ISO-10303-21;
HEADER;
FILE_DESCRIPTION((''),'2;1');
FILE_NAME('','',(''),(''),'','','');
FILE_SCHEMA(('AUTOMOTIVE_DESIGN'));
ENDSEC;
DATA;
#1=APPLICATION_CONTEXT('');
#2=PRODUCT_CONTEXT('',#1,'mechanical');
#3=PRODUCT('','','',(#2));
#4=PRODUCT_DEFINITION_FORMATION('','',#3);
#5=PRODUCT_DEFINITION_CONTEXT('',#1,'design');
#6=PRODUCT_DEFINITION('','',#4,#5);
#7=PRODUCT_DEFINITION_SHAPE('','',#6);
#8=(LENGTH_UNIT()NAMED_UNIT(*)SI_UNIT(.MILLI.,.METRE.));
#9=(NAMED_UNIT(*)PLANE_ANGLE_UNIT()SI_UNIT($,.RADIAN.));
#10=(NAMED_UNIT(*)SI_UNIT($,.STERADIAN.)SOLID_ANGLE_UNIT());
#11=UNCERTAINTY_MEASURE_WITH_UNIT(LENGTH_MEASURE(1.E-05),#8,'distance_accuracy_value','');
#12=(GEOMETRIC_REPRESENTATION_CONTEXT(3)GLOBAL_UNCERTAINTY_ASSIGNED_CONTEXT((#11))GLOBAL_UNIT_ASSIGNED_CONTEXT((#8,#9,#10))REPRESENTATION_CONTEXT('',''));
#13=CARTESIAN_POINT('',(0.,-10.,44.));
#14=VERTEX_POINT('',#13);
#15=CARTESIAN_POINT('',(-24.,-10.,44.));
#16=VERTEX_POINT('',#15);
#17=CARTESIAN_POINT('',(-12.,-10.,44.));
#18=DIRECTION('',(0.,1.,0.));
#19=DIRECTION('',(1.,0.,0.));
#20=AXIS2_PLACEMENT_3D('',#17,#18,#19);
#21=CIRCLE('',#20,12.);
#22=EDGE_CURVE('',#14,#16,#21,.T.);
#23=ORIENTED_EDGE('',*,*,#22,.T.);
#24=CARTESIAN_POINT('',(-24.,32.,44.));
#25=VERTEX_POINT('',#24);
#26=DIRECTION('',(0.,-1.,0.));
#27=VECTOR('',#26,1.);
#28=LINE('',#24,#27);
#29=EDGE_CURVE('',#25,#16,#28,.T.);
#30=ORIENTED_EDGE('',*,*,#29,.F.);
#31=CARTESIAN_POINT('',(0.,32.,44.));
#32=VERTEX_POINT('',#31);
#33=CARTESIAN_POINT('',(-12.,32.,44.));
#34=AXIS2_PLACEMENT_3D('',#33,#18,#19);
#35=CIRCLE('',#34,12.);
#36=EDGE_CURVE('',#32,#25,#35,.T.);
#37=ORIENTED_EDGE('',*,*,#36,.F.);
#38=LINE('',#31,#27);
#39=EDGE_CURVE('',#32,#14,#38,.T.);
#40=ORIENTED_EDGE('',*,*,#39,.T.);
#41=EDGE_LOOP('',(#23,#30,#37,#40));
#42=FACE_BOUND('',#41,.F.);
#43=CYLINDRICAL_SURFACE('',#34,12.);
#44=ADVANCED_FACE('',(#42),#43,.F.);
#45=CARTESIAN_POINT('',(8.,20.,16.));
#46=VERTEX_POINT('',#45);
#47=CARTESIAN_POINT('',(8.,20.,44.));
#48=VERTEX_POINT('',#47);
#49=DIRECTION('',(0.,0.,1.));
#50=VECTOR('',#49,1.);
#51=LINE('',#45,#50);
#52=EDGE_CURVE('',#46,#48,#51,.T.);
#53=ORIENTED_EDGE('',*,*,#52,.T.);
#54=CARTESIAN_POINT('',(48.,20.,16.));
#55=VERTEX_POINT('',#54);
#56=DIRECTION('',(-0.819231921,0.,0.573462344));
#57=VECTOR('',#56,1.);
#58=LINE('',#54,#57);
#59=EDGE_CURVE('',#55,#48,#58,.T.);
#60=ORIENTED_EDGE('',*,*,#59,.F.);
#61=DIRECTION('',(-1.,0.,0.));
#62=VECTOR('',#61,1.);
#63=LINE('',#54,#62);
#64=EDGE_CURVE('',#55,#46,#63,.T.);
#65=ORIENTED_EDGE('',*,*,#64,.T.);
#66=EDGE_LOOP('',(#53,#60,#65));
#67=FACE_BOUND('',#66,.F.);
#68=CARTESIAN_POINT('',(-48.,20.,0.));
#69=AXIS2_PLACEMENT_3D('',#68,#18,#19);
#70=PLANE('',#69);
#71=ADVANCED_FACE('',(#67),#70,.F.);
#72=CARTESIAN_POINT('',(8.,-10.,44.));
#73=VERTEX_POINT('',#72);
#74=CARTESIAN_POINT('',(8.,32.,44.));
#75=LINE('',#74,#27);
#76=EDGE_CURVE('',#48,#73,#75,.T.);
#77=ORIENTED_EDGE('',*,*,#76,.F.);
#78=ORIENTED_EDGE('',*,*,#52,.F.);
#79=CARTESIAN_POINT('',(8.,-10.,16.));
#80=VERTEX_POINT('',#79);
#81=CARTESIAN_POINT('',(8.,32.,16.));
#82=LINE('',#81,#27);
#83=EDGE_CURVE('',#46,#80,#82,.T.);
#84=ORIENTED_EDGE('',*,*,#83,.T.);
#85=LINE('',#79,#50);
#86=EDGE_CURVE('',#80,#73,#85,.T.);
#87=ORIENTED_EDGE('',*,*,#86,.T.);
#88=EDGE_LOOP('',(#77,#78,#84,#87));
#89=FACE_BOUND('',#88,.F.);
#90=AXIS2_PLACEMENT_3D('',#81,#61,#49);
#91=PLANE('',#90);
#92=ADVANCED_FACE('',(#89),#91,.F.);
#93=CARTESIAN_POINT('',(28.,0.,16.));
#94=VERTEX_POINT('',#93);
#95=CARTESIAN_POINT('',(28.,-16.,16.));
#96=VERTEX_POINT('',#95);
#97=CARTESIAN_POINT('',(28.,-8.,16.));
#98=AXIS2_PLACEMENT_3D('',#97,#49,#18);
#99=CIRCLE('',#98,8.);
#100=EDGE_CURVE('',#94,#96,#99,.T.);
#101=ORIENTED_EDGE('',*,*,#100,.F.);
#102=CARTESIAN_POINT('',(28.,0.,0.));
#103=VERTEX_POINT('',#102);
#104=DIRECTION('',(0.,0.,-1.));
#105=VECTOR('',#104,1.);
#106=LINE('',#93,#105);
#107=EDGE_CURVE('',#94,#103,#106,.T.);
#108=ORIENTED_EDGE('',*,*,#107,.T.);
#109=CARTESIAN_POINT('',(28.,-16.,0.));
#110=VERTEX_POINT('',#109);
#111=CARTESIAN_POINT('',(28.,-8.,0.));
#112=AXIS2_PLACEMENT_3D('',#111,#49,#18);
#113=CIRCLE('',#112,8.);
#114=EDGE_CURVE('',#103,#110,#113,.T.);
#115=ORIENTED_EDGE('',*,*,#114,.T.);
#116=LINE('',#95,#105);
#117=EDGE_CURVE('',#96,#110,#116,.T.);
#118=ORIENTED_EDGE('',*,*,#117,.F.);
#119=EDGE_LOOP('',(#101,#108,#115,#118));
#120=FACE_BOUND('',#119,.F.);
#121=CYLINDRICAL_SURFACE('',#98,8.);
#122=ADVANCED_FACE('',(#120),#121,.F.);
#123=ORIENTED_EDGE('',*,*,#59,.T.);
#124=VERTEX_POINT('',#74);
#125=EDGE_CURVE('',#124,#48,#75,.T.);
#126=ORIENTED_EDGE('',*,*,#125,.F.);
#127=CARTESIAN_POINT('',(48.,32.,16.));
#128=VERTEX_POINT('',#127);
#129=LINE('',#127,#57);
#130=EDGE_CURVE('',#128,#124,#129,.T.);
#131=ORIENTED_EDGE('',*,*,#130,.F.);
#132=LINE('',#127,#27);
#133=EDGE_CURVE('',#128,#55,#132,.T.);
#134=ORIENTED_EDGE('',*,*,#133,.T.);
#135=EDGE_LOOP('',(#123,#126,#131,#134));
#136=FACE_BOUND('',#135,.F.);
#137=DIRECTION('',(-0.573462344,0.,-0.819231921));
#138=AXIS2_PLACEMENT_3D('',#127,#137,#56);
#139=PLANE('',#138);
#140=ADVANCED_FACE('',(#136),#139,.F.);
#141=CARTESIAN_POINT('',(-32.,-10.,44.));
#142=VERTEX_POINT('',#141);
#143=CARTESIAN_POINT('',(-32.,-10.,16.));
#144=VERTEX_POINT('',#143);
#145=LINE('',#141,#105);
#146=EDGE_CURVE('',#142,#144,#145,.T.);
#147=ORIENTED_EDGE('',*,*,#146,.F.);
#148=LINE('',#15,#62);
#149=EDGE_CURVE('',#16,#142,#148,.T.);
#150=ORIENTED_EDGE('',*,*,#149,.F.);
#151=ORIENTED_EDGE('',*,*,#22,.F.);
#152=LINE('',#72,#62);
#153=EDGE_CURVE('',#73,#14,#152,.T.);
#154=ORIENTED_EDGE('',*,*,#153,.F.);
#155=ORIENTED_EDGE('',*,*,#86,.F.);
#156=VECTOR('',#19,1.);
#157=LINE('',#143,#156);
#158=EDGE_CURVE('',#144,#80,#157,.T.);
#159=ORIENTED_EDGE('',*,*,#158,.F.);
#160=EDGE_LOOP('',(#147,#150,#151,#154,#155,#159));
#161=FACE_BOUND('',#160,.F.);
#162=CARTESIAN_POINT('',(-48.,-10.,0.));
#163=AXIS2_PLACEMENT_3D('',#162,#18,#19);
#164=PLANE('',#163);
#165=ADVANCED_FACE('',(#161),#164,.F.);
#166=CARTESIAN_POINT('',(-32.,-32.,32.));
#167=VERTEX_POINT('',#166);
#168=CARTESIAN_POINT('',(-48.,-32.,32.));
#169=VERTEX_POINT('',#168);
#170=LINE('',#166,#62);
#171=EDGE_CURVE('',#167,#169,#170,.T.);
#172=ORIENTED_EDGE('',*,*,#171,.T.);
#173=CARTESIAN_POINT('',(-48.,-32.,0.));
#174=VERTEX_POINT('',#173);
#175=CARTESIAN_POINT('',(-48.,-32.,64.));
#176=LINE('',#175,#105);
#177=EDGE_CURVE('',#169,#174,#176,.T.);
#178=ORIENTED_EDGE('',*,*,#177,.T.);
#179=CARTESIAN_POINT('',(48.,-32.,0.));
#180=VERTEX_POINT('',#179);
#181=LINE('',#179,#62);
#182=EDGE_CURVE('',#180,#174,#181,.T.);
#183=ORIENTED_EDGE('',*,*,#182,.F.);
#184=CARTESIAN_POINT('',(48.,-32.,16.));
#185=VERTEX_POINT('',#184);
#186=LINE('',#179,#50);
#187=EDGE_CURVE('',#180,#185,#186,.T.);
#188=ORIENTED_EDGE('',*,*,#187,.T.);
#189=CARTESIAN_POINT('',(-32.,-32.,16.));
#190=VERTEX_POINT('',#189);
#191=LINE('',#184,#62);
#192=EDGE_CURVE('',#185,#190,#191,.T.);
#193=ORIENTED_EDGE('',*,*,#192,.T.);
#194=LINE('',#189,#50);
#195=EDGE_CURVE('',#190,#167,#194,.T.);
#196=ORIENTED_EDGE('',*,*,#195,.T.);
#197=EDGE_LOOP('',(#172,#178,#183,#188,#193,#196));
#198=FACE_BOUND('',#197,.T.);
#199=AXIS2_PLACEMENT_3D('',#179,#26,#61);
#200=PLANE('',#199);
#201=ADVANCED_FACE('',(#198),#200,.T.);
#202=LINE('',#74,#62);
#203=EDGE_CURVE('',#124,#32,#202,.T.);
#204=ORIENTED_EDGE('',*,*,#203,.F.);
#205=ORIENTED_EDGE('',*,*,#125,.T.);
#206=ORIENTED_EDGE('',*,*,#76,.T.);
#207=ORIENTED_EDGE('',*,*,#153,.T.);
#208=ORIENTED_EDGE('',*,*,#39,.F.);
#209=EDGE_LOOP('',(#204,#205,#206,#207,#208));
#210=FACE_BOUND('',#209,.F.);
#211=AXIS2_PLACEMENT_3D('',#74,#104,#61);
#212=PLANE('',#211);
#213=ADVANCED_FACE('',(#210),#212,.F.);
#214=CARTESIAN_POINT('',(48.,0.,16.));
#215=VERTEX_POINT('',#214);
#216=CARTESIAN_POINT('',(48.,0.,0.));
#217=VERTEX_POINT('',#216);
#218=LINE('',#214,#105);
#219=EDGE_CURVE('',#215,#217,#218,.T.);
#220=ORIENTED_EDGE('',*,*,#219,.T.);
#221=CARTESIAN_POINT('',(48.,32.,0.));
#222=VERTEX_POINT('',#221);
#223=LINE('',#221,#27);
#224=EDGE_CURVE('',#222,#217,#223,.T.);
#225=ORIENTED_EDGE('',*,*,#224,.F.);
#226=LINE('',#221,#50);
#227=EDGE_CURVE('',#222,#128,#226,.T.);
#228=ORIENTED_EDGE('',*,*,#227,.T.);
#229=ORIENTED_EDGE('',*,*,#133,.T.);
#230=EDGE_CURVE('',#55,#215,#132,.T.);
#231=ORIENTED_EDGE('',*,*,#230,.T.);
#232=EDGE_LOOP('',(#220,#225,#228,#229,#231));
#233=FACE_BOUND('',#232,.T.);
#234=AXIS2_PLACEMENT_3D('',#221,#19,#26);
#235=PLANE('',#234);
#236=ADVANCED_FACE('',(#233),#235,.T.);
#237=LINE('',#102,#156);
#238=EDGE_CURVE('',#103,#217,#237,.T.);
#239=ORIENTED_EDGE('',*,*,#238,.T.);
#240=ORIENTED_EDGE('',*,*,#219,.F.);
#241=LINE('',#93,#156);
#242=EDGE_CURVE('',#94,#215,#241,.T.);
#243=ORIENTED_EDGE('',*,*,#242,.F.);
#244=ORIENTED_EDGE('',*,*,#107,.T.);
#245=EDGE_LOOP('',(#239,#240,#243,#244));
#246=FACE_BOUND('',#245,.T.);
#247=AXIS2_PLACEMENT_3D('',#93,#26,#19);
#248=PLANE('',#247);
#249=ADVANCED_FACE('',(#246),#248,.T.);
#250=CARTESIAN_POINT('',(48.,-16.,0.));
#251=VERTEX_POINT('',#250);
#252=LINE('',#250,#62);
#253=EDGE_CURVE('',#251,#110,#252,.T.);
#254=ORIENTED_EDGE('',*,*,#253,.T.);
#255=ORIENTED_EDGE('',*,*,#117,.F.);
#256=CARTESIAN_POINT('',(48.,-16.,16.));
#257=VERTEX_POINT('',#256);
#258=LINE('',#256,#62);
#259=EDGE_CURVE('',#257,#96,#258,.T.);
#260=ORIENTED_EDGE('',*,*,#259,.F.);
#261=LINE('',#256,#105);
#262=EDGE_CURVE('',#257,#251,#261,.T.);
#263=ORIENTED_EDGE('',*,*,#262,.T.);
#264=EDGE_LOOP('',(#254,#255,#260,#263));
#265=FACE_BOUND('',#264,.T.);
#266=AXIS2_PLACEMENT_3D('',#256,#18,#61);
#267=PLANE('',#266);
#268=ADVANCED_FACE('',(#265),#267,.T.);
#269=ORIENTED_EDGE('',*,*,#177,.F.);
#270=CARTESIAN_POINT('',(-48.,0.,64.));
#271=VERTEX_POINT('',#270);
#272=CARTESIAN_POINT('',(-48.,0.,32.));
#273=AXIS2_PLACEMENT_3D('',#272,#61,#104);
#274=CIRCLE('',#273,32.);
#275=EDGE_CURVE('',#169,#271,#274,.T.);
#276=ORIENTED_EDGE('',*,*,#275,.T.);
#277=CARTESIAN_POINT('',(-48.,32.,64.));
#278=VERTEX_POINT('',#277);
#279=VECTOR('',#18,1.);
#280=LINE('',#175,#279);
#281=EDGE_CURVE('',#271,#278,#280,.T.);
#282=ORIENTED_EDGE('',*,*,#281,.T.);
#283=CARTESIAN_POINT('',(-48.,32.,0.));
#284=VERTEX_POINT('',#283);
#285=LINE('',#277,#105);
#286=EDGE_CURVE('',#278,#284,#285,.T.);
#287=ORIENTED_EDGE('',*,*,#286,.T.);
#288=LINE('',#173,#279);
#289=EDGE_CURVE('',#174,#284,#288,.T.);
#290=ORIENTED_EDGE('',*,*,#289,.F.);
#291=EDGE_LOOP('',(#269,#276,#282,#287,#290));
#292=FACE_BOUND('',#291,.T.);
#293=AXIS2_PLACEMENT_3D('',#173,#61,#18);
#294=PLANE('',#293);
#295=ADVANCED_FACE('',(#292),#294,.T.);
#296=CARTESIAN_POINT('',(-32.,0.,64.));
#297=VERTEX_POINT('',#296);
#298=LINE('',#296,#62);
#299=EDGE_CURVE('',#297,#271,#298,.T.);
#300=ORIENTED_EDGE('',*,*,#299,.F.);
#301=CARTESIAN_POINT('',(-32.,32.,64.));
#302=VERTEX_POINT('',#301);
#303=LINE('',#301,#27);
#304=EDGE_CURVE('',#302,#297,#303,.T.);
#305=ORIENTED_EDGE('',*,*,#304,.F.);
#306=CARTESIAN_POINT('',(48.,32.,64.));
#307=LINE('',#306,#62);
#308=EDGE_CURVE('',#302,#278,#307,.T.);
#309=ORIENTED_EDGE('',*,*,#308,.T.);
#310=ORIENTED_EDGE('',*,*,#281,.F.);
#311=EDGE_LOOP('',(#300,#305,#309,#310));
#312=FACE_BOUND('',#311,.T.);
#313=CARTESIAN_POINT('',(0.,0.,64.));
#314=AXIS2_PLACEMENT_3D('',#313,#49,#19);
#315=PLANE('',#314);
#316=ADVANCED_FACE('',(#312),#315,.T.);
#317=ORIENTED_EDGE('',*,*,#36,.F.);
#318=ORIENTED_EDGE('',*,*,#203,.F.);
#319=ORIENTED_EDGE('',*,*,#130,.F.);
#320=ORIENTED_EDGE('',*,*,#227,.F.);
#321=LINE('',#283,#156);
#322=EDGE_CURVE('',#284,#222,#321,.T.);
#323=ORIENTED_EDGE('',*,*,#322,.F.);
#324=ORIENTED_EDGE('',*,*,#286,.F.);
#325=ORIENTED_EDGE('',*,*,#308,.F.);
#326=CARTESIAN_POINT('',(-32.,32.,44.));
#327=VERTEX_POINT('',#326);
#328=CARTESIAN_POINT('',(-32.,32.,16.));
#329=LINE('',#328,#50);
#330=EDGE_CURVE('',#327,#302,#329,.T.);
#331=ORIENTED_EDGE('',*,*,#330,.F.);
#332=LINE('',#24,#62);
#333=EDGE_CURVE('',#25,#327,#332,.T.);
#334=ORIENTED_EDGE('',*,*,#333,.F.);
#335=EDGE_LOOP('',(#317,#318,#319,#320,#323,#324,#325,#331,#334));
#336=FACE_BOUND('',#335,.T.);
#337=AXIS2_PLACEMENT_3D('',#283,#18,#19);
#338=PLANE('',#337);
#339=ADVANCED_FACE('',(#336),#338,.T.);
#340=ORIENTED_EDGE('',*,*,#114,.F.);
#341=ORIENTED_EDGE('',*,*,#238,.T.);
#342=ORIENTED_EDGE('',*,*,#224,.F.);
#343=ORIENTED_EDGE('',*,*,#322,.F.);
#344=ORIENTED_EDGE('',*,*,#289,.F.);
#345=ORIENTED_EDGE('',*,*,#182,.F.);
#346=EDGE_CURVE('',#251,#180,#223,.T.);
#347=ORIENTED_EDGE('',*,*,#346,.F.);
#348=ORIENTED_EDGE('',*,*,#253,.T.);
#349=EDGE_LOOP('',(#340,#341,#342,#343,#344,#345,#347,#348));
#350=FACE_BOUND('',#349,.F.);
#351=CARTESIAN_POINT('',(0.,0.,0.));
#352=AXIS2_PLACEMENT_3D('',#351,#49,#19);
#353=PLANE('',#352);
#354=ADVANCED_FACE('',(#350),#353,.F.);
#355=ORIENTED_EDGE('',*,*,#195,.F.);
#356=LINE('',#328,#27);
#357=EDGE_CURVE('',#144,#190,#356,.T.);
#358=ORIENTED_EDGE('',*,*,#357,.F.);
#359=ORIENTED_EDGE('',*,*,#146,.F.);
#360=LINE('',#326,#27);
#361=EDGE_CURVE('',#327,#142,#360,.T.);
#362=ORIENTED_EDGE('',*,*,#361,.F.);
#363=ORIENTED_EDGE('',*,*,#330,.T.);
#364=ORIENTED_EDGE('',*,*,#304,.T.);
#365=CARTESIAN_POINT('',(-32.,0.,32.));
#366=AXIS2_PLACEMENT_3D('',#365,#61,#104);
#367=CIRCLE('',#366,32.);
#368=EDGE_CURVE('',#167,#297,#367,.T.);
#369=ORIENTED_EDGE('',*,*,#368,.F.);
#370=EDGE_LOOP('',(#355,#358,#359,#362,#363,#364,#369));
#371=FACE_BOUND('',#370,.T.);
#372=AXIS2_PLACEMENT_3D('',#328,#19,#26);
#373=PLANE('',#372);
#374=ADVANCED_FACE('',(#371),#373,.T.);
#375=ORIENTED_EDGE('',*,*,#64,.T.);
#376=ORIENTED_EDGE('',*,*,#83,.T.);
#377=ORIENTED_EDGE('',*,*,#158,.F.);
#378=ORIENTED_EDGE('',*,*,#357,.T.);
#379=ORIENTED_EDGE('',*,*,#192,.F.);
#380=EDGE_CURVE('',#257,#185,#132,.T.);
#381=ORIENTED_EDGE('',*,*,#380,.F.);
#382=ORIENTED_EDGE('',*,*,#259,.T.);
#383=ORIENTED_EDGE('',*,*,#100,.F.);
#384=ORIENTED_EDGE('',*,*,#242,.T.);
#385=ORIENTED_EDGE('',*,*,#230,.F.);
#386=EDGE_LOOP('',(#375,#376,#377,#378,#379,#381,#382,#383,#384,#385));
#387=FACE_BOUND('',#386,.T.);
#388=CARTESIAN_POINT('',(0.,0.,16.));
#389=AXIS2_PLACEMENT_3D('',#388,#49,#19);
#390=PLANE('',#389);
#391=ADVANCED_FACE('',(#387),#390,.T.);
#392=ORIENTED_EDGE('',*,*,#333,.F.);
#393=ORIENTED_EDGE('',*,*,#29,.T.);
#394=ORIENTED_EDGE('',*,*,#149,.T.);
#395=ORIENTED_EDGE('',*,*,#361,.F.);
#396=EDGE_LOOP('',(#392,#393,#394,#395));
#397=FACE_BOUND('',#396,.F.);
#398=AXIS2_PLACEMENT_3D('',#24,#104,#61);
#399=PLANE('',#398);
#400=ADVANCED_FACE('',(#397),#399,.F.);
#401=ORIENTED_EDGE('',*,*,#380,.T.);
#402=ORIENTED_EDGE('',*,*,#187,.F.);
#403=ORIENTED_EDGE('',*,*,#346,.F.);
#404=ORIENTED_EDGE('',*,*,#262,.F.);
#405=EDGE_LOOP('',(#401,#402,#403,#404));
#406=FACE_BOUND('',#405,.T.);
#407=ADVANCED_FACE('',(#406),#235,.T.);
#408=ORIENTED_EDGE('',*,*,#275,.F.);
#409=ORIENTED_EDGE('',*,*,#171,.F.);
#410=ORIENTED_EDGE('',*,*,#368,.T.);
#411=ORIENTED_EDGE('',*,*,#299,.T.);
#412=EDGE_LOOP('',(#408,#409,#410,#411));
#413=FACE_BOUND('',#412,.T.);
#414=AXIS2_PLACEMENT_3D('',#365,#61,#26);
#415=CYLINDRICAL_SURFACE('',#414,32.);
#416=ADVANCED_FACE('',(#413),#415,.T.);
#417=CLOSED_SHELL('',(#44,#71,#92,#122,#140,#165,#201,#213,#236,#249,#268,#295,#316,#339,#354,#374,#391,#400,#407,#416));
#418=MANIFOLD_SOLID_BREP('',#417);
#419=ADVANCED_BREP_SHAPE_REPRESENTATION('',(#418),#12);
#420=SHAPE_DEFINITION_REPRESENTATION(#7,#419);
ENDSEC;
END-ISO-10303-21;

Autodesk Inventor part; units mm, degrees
ref_plane "YZ Plane" through (0, 0, 0) normal (1, 0, 0) x (0, 1, 0)
ref_plane "XZ Plane" through (0, 0, 0) normal (0, 1, 0) x (-1, 0, 0)
ref_plane "XY Plane" through (0, 0, 0) normal (0, 0, 1) x (1, 0, 0)
sketch "Sketch1" plane through (0, 0, 0) normal (0, 0, 1) x (1, 0, 0)
  line L0 (48, -32) -> (-48, -32)
  line L1 (-48, -32) -> (-48, 32)
  line L2 (-48, 32) -> (48, 32)
  line L3 (48, 32) -> (48, -32)
  line L4 (48, -32) -> (-48, 32) construction
  line L5 (-48, -32) -> (48, 32) construction
  point P0 (0, 0)
  dimension "d0" = 96
  dimension "d1" = 64
extrude "Extrusion1" add sketch "Sketch1" along normal blind 16
sketch "Sketch2" plane through (0, 0, 16) normal (0, 0, 1) x (1, 0, 0)
  point P0 (0, 0)
sketch "Sketch3" plane through (0, 0, 16) normal (0, 0, 1) x (1, 0, 0)
  line L0 (48, 32) -> (-48, 32) projected
  line L1 (-48, 32) -> (-32, 32)
  line L2 (-32, 32) -> (-32, -32)
  line L3 (-32, -32) -> (-48, -32)
  line L4 (-48, -32) -> (-48, 32)
  line L5 (-48, -32) -> (48, -32) projected
  point P0 (0, 0)
  dimension "d4" = 16
extrude "Extrusion2" add sketch "Sketch3" along normal blind 48
fillet "Fillet1" radius 32 1 edges at (-40, -32, 64)
sketch "Sketch4" plane through (-48, 32, 0) normal (0, 1, 0) x (1, 0, 0)
  line L0 (16, -16) -> (96, -16) projected
  line L1 (16, -16) -> (56, -16)
  line L2 (56, -16) -> (56, -44)
  line L3 (16, -44) -> (16, -16)
  arc A0 (48, -44) -> (24, -44) centre (36, -44) ccw
  line L4 (56, -44) -> (48, -44)
  line L5 (24, -44) -> (16, -44)
  point P0 (48, 0)
  dimension "d8" = 40
  dimension "d9" = 28
  dimension "d10" = 24
extrude "Extrusion3" add sketch "Sketch4" against normal blind 42
sketch "Sketch5" plane through (-48, 32, 0) normal (0, 1, 0) x (1, 0, 0)
  line L0 (56, -16) -> (56, -44) projected
  line L1 (56, -44) -> (56, -16)
  line L2 (96, -16) -> (56, -16) projected
  line L3 (56, -16) -> (96, -16)
  line L4 (96, -16) -> (56, -44)
  point P0 (48, 0)
extrude "Extrusion4" add sketch "Sketch5" against normal blind 12
sketch "Sketch6" plane through (0, 0, 16) normal (0, 0, 1) x (1, 0, 0)
  line L0 (48, -32) -> (48, 20) projected
  line L1 (48, -16) -> (28, -16)
  arc A0 (28, 0) -> (28, -16) centre (28, -8) ccw
  line L2 (28, 0) -> (48, 0)
  line L3 (-32, -32) -> (48, -32) projected
  point P0 (0, 0)
  dimension "d15" = 20
  dimension "d16" = 16
  dimension "d17" = 16
extrude "Extrusion5" cut sketch "Sketch6" against normal blind 16
properties part number "Practical 1"
